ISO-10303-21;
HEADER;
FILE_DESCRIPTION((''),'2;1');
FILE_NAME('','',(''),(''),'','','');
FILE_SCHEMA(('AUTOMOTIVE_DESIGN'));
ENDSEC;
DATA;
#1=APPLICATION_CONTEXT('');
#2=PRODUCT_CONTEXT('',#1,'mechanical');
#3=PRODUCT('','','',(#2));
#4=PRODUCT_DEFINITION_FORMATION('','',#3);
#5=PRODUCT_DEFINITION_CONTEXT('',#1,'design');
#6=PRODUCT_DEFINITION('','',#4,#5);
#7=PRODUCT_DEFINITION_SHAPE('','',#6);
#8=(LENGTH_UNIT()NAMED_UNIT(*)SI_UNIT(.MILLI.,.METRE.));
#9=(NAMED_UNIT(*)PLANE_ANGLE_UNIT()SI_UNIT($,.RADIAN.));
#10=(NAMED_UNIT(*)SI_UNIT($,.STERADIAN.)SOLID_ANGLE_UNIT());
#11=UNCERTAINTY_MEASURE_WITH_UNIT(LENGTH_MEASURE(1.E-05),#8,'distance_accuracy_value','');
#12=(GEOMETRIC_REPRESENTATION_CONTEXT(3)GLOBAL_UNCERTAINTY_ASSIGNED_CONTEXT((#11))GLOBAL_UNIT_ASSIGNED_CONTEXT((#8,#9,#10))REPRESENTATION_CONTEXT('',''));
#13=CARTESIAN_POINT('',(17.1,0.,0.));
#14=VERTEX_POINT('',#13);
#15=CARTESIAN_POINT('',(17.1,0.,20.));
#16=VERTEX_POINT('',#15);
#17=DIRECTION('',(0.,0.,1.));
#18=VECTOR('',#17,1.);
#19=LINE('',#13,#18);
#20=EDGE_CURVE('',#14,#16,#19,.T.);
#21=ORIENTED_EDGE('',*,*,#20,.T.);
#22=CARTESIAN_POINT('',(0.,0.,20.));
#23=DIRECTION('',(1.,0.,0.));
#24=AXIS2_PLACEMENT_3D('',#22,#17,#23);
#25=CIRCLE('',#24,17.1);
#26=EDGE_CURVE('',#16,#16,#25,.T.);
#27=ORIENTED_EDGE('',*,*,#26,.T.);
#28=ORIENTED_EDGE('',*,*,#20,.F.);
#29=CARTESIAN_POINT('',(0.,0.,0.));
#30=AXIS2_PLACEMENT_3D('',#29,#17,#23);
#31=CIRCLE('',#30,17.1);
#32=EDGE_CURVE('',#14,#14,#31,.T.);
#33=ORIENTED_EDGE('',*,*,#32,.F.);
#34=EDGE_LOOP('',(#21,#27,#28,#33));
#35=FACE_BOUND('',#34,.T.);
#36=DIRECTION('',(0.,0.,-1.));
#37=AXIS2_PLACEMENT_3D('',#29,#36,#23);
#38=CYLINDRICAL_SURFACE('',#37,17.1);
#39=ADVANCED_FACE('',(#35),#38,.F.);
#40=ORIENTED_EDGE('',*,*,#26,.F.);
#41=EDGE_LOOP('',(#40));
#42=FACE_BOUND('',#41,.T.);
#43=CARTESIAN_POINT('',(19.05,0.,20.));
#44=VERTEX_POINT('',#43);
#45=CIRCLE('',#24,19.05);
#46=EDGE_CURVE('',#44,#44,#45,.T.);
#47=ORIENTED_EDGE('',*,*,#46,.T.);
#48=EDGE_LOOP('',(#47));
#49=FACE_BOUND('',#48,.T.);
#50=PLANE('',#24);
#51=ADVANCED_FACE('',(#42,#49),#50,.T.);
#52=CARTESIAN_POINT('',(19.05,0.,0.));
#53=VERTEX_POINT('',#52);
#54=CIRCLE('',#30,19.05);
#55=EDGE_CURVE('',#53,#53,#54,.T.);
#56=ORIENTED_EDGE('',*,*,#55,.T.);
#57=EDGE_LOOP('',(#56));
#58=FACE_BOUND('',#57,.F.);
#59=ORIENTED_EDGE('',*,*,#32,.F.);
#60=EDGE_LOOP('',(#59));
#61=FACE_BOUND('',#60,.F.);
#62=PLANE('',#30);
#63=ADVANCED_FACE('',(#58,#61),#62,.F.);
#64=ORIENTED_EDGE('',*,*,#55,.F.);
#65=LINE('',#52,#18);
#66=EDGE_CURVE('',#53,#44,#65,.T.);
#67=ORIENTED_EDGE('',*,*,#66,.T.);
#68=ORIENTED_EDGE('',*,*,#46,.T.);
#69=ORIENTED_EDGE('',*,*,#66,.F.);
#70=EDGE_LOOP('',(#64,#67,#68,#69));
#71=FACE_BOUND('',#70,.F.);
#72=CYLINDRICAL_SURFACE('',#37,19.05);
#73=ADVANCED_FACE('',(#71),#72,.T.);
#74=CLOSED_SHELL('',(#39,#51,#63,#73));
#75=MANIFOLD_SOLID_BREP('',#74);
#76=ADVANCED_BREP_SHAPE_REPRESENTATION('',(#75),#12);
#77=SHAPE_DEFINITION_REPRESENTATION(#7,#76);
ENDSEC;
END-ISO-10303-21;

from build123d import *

# Parameters (mm, degrees)
SKETCH_R   = 19.05
SKETCH_R_2 = 17.1
PAD_DEPTH  = 20


with BuildPart() as part:
    # Sketch → Pad (new body)
    with BuildSketch(Plane.XY):
        Circle(SKETCH_R)
        Circle(SKETCH_R_2, mode=Mode.SUBTRACT)
    extrude(amount=PAD_DEPTH)


solid = part.part
